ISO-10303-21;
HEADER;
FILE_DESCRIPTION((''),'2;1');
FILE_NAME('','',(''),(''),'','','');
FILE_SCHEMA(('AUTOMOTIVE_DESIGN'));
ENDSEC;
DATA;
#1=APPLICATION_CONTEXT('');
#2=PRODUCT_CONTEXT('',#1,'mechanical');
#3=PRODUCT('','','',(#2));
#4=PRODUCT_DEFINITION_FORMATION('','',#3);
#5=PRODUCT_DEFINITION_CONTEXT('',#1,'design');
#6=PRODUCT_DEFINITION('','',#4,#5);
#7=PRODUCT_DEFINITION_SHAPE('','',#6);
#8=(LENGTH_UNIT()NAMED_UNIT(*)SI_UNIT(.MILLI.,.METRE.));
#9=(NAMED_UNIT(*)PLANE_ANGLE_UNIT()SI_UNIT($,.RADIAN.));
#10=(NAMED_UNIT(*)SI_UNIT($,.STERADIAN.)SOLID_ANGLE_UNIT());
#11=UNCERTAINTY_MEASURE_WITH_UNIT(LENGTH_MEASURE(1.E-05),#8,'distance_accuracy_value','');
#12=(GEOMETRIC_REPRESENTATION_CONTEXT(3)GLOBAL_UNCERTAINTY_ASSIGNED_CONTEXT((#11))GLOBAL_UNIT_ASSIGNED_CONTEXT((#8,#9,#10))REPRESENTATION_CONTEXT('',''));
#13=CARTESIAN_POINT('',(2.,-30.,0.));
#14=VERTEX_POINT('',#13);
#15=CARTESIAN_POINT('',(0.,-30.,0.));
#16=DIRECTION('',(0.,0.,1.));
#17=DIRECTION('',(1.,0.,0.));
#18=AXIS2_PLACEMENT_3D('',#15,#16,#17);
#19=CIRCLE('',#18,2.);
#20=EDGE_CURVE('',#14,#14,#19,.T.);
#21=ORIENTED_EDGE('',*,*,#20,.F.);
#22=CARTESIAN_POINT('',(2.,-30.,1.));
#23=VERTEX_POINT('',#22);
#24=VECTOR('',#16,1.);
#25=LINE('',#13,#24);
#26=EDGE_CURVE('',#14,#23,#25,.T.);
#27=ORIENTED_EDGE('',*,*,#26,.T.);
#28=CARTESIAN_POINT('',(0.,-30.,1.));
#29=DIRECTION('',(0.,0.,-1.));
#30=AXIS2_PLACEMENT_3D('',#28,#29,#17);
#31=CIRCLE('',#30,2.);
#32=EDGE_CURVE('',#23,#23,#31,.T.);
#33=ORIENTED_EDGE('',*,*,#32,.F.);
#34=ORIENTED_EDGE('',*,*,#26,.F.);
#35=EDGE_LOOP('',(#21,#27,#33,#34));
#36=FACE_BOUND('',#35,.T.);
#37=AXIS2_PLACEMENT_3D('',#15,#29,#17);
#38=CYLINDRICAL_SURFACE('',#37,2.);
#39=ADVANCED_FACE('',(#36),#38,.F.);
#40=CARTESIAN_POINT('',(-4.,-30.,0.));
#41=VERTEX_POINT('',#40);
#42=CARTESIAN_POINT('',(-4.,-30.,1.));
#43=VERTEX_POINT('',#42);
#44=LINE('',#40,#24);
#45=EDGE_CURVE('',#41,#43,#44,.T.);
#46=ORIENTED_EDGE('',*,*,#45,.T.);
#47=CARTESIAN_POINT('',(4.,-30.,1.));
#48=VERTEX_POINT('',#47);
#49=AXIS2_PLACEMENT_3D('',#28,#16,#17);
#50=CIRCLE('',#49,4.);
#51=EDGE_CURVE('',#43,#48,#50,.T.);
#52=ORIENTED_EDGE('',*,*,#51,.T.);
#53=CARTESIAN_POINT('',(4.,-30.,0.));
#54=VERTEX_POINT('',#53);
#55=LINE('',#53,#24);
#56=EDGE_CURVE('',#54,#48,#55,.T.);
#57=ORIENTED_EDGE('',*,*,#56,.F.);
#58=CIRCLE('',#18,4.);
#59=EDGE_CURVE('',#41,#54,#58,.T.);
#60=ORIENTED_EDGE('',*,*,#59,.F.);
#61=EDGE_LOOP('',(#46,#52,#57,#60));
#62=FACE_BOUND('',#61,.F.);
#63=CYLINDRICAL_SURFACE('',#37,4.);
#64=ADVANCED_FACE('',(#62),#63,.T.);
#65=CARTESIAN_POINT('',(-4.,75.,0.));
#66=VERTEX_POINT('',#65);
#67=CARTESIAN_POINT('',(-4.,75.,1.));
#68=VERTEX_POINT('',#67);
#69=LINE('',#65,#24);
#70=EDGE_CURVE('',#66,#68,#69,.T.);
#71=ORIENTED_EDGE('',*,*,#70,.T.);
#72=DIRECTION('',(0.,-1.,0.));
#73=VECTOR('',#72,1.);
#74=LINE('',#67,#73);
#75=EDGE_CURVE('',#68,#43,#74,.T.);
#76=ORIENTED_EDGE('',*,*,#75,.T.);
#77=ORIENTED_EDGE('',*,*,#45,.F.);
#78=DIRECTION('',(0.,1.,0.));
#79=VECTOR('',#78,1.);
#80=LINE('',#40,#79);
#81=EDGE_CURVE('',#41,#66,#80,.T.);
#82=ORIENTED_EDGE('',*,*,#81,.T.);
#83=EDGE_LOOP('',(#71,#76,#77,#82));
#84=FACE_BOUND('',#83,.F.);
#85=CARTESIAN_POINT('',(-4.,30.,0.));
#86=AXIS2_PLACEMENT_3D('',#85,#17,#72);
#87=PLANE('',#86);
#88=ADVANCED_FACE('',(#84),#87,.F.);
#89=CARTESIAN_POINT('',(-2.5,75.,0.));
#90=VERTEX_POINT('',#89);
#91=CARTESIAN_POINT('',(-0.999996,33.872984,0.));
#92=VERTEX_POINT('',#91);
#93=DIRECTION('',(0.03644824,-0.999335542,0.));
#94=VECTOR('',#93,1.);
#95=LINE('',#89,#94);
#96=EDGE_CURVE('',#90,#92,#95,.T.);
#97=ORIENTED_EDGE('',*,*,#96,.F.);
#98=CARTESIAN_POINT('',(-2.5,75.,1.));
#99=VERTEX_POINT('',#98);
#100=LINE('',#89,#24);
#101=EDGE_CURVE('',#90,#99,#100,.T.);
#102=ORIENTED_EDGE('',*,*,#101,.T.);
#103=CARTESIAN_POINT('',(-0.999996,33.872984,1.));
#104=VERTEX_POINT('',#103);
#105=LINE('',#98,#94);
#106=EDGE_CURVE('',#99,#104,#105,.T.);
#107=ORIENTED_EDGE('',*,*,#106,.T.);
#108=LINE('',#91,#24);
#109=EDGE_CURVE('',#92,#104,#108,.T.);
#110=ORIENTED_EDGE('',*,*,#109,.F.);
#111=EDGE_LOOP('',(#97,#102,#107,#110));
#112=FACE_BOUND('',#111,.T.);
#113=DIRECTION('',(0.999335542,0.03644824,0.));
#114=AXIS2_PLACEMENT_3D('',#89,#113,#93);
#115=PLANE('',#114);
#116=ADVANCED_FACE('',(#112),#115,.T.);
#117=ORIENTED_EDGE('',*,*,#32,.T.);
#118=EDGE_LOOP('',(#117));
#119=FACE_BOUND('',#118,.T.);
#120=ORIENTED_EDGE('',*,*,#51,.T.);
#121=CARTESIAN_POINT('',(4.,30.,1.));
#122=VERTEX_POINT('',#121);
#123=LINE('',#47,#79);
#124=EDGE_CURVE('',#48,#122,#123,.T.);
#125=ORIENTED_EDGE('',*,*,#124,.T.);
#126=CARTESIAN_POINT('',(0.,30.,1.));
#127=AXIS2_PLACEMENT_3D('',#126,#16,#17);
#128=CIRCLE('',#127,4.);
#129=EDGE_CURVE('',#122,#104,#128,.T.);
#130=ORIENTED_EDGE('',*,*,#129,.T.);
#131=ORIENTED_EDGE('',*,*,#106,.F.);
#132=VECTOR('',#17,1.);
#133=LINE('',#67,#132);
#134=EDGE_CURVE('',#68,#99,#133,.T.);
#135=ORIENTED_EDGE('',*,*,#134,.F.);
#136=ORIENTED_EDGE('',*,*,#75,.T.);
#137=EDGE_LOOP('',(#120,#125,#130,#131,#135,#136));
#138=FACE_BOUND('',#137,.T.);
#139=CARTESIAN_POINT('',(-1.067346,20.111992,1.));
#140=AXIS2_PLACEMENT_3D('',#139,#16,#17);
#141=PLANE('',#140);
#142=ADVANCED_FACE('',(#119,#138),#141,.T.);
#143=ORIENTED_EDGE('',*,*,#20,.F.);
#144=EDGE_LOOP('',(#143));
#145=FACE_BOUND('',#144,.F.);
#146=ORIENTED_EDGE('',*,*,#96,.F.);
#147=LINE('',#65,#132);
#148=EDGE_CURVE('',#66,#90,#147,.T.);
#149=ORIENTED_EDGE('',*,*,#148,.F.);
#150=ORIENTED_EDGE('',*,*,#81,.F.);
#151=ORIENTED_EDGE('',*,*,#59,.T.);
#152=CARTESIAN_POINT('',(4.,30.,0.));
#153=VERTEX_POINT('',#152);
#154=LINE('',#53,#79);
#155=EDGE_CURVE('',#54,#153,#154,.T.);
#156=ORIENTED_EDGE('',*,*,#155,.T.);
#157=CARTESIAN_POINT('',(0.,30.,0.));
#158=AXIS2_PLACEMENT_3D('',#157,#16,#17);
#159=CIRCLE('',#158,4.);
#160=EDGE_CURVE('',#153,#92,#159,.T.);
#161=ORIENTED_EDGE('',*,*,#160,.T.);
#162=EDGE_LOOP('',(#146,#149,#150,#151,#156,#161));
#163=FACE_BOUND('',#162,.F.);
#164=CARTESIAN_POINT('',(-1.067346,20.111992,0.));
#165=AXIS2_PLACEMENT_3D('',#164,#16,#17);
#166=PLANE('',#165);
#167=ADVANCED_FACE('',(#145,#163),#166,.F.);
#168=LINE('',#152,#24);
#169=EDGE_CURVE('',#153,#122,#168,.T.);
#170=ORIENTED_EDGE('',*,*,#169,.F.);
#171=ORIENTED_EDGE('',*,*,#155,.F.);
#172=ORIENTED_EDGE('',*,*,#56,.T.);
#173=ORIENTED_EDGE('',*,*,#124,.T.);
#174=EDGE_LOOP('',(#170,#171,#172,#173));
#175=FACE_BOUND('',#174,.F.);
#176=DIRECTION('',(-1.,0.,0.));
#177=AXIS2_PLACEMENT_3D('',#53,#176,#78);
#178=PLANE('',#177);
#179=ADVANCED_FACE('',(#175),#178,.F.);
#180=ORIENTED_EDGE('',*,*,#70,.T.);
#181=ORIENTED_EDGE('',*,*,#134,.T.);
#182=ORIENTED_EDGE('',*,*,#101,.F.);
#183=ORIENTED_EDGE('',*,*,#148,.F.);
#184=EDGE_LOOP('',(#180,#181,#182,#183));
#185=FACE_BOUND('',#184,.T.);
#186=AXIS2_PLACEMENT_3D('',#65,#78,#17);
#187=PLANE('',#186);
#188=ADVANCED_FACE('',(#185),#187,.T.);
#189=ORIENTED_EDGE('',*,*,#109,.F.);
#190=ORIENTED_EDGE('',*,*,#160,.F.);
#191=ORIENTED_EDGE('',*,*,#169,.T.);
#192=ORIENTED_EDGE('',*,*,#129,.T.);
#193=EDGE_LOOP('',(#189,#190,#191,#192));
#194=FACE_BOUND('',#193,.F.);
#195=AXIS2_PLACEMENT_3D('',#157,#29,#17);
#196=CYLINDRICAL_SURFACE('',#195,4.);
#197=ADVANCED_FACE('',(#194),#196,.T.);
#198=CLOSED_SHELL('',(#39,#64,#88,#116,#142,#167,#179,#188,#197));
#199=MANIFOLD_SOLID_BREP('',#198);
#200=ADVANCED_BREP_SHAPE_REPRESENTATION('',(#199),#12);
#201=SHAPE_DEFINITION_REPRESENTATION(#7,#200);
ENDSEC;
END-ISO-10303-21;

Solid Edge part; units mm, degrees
sketch "Sketch1" plane through (0, 0, 0) normal (0, 0, 1) x (1, 0, 0)
  line L0 (4, -30) -> (4, 30)
  arc A0 (4, 30) -> (-1, 33.873) centre (0, 30) ccw
  line L1 (-2.5, 75) -> (-1, 33.873)
  line L2 (-4, 75) -> (-2.5, 75)
  line L3 (-4, 30) -> (-4, 75)
  line L4 (-4, 30) -> (-4, -30)
  arc A1 (-4, -30) -> (4, -30) centre (0, -30) ccw
  dimension "D1" = 4
  dimension "D2" = 4
extrude "Ajout_matière_1" add sketch "Sketch1" along normal blind 1
sketch "Sketch2" plane through (0, 0, 0) normal (0, 0, 1) x (1, 0, 0)
  circle A0 centre (0, -30) radius 2
  dimension "D1" = 4
extrude "Cutout1" cut sketch "Sketch2" along normal up to next
properties material "Acier S235"
